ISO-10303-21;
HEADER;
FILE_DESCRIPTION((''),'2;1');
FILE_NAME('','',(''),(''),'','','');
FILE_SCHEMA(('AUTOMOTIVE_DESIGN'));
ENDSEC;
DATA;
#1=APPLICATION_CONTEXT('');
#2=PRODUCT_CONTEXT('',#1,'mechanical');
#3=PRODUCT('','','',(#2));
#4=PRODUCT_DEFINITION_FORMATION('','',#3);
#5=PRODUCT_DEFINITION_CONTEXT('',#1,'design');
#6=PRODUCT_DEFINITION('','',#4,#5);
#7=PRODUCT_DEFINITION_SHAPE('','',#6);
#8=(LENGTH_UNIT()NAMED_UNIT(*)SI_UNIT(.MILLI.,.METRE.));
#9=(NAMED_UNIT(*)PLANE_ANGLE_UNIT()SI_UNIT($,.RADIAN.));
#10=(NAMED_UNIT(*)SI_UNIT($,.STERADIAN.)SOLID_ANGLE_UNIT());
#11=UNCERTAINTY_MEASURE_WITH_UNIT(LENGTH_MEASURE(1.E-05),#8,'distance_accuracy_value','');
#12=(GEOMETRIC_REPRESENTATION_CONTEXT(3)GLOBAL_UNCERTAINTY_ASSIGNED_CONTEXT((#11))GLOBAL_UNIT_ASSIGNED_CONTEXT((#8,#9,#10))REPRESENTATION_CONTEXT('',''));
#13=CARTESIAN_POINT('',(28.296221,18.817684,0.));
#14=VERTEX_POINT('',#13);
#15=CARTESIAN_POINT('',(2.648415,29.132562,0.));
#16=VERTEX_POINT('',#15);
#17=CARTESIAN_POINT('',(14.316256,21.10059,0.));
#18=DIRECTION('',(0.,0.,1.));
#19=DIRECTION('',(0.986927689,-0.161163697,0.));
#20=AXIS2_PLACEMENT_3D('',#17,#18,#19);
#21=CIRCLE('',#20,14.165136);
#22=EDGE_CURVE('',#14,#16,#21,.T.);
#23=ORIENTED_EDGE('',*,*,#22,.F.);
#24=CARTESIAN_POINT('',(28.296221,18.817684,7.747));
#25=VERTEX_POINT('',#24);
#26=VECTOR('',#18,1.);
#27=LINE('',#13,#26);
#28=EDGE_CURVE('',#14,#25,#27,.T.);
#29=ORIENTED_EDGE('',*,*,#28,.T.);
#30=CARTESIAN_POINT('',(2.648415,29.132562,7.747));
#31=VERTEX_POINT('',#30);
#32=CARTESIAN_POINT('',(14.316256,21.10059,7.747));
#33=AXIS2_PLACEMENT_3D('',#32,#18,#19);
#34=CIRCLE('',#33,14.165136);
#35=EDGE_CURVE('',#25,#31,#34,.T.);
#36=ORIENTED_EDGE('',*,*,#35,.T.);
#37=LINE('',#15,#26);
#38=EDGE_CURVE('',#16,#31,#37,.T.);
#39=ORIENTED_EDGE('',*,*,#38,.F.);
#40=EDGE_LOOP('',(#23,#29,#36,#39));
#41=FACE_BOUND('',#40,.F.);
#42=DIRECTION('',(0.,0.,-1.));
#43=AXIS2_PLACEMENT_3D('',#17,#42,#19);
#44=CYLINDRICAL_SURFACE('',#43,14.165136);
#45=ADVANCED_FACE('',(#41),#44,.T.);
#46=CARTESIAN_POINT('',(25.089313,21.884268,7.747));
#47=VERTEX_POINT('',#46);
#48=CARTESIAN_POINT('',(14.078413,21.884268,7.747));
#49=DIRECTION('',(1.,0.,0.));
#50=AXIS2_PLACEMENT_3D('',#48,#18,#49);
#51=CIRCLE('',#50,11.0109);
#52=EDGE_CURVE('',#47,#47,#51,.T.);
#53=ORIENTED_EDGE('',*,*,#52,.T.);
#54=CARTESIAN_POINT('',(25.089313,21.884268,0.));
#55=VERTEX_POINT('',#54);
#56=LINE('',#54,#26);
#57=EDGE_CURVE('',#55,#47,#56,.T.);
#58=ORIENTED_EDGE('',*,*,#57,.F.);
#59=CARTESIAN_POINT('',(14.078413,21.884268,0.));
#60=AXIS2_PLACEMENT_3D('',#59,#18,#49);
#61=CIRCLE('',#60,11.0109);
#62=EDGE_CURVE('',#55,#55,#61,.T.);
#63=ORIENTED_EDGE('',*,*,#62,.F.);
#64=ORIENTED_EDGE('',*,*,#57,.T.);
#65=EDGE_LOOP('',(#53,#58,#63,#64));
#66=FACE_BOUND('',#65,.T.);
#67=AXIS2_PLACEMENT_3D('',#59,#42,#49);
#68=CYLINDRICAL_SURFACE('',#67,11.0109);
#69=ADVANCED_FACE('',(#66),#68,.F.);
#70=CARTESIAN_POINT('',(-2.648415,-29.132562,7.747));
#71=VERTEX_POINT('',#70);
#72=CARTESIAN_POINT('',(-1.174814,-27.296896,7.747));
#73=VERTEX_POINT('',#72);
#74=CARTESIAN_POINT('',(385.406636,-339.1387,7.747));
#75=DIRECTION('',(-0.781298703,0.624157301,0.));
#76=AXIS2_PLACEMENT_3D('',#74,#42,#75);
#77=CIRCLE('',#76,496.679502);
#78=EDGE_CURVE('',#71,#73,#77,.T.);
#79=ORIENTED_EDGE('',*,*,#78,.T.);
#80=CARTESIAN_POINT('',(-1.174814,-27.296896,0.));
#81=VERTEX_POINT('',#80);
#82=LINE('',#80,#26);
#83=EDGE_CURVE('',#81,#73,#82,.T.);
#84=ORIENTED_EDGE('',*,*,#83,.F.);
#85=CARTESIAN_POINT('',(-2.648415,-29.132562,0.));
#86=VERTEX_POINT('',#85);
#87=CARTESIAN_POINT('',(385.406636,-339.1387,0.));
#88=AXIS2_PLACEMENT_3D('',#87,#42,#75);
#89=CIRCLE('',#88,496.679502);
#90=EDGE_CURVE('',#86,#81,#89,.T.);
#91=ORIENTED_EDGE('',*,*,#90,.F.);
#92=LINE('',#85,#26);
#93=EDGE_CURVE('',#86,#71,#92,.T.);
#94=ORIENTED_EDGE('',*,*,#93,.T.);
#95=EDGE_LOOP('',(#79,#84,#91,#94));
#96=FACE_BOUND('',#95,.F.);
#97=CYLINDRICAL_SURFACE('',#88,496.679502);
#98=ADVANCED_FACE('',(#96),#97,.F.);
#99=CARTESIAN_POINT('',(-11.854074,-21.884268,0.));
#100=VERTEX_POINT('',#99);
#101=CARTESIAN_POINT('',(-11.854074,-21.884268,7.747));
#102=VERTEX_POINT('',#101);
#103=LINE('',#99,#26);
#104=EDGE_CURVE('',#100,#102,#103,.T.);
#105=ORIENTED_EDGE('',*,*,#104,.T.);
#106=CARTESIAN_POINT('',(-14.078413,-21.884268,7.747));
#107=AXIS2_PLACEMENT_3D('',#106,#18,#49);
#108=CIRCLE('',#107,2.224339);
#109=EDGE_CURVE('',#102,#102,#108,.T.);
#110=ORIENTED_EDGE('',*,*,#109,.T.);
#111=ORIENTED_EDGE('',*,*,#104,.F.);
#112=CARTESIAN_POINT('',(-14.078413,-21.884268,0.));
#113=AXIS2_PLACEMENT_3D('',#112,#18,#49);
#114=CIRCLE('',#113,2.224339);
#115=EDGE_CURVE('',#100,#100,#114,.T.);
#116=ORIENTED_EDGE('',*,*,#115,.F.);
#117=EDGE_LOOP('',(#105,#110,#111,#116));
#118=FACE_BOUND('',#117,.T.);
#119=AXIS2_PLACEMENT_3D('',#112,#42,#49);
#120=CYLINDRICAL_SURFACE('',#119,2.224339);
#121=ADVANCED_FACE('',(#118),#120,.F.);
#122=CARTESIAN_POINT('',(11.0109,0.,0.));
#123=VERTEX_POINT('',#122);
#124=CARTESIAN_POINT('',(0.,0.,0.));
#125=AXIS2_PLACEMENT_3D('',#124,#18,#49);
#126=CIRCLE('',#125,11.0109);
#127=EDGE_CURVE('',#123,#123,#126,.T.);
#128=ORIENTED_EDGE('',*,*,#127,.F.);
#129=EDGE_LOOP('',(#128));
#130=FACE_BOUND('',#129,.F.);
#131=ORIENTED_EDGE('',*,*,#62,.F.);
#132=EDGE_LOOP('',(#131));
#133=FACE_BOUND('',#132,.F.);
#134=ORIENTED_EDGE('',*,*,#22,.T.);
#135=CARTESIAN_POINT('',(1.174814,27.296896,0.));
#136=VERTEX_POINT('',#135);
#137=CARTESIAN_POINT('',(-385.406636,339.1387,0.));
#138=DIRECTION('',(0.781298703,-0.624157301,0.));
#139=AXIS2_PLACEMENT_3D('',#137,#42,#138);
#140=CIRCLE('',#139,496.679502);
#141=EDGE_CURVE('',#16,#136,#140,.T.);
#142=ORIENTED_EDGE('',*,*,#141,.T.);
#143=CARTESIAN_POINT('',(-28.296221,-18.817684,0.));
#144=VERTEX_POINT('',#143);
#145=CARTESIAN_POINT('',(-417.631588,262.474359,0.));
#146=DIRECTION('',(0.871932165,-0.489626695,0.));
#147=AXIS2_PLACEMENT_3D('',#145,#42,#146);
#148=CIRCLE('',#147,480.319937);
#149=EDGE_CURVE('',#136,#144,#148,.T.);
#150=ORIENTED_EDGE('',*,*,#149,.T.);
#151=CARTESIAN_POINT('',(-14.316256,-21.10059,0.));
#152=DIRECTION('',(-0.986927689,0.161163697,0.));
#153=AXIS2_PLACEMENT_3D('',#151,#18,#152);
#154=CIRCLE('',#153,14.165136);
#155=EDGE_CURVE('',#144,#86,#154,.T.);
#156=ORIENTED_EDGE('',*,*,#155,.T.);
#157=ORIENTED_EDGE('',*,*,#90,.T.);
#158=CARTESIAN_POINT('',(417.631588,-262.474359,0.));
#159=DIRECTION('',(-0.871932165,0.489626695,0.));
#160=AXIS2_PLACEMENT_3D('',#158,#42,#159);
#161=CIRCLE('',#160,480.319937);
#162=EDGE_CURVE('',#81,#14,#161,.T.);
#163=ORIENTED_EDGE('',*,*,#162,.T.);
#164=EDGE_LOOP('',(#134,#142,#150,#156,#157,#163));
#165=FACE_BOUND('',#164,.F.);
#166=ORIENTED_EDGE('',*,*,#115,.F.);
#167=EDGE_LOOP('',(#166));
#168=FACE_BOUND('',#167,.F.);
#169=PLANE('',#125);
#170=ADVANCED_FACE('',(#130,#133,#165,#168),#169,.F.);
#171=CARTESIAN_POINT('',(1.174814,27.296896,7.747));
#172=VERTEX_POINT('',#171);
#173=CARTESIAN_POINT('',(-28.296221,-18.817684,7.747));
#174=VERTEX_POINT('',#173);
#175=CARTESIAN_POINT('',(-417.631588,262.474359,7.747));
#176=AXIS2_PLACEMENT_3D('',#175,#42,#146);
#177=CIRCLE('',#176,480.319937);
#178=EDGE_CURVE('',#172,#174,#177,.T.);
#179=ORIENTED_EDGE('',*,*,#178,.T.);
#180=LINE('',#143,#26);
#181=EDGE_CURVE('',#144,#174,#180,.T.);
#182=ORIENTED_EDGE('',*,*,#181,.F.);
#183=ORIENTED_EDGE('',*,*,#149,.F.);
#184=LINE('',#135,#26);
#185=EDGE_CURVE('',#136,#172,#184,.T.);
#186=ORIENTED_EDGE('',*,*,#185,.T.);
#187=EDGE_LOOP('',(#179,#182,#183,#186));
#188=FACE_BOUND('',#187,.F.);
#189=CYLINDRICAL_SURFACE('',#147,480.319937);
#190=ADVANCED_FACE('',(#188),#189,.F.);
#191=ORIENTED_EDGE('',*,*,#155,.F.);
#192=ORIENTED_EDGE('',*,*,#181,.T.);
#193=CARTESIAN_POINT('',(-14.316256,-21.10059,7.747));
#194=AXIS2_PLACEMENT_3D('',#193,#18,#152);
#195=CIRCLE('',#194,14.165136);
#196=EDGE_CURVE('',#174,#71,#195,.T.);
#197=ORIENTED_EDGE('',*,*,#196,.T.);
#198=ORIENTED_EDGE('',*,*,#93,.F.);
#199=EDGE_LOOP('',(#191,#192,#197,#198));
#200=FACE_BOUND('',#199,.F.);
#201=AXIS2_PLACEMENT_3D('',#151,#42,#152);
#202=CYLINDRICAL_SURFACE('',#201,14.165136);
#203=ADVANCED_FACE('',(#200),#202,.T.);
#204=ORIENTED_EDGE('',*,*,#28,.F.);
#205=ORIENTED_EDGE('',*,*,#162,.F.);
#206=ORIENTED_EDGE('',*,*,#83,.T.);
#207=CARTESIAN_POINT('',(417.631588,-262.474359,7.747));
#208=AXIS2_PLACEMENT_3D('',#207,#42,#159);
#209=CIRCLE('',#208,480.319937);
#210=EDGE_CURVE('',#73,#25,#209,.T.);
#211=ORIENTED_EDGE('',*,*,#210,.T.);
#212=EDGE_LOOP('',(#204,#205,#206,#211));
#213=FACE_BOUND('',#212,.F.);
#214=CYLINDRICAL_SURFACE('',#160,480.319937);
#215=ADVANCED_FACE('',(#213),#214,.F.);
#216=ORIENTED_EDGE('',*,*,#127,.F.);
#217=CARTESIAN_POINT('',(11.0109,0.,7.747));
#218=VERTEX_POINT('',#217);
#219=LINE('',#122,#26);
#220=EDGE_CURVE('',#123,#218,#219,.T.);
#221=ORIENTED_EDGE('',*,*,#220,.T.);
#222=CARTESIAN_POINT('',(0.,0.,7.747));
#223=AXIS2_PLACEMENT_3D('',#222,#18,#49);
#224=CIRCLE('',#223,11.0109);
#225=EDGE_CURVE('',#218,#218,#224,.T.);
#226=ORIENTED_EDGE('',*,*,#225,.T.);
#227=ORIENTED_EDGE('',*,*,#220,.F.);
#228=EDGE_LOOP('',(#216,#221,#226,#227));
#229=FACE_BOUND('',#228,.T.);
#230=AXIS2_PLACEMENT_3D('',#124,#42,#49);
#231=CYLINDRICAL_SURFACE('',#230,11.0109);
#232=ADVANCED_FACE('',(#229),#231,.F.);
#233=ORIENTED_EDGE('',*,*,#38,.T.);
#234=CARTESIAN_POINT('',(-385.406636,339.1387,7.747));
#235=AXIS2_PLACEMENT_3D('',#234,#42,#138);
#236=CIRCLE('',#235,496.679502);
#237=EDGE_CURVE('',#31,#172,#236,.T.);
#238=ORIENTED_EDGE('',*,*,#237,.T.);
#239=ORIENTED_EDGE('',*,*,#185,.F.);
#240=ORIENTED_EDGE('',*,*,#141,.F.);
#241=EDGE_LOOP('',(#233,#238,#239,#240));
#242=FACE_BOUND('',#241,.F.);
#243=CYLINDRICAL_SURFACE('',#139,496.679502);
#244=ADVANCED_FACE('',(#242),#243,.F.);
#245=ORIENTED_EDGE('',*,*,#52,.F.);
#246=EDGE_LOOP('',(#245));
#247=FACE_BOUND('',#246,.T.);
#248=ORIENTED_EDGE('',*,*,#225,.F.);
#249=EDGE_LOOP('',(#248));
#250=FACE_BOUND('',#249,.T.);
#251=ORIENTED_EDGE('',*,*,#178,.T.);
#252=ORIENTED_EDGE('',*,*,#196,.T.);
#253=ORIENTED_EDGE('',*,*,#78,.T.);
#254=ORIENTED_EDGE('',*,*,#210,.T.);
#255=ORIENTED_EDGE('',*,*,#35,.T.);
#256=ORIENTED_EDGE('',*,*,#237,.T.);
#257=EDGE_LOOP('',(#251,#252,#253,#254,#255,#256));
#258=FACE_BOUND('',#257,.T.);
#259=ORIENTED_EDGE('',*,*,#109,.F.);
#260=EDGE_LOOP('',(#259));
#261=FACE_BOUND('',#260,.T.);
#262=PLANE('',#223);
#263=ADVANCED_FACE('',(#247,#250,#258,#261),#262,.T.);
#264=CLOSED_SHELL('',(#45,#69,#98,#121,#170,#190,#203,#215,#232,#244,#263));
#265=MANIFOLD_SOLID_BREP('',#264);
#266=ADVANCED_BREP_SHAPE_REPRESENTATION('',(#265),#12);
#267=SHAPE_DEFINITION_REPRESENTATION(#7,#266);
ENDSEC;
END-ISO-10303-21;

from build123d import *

# Parameters (mm, degrees)
F0_R     = 2.224339
F0_R_2   = 11.0109
F1_DEPTH = 7.747


with BuildPart() as f1:
    # F0 (on Top) → F1 (new body)
    with BuildSketch(Plane.XY):
        with BuildLine():
            ThreePointArc((-1.174814, -27.296896), (12.903385, -3.819525), (28.296221, 18.817684))
            ThreePointArc((28.296221, 18.817684), (19.601675, 34.242714), (2.648415, 29.132562))
            ThreePointArc((2.648415, 29.132562), (1.912702, 28.213856), (1.174814, 27.296896))
            ThreePointArc((1.174814, 27.296896), (-12.903385, 3.819525), (-28.296221, -18.817684))
            ThreePointArc((-28.296221, -18.817684), (-19.601675, -34.242714), (-2.648415, -29.132562))
            ThreePointArc((-2.648415, -29.132562), (-1.912702, -28.213856), (-1.174814, -27.296896))
        make_face()
        with Locations((-14.078413, -21.884268)):
            Circle(F0_R, mode=Mode.SUBTRACT)
        Circle(F0_R_2, mode=Mode.SUBTRACT)
        with Locations((14.078413, 21.884268)):
            Circle(F0_R_2, mode=Mode.SUBTRACT)
    extrude(amount=F1_DEPTH)


solid = f1.part
